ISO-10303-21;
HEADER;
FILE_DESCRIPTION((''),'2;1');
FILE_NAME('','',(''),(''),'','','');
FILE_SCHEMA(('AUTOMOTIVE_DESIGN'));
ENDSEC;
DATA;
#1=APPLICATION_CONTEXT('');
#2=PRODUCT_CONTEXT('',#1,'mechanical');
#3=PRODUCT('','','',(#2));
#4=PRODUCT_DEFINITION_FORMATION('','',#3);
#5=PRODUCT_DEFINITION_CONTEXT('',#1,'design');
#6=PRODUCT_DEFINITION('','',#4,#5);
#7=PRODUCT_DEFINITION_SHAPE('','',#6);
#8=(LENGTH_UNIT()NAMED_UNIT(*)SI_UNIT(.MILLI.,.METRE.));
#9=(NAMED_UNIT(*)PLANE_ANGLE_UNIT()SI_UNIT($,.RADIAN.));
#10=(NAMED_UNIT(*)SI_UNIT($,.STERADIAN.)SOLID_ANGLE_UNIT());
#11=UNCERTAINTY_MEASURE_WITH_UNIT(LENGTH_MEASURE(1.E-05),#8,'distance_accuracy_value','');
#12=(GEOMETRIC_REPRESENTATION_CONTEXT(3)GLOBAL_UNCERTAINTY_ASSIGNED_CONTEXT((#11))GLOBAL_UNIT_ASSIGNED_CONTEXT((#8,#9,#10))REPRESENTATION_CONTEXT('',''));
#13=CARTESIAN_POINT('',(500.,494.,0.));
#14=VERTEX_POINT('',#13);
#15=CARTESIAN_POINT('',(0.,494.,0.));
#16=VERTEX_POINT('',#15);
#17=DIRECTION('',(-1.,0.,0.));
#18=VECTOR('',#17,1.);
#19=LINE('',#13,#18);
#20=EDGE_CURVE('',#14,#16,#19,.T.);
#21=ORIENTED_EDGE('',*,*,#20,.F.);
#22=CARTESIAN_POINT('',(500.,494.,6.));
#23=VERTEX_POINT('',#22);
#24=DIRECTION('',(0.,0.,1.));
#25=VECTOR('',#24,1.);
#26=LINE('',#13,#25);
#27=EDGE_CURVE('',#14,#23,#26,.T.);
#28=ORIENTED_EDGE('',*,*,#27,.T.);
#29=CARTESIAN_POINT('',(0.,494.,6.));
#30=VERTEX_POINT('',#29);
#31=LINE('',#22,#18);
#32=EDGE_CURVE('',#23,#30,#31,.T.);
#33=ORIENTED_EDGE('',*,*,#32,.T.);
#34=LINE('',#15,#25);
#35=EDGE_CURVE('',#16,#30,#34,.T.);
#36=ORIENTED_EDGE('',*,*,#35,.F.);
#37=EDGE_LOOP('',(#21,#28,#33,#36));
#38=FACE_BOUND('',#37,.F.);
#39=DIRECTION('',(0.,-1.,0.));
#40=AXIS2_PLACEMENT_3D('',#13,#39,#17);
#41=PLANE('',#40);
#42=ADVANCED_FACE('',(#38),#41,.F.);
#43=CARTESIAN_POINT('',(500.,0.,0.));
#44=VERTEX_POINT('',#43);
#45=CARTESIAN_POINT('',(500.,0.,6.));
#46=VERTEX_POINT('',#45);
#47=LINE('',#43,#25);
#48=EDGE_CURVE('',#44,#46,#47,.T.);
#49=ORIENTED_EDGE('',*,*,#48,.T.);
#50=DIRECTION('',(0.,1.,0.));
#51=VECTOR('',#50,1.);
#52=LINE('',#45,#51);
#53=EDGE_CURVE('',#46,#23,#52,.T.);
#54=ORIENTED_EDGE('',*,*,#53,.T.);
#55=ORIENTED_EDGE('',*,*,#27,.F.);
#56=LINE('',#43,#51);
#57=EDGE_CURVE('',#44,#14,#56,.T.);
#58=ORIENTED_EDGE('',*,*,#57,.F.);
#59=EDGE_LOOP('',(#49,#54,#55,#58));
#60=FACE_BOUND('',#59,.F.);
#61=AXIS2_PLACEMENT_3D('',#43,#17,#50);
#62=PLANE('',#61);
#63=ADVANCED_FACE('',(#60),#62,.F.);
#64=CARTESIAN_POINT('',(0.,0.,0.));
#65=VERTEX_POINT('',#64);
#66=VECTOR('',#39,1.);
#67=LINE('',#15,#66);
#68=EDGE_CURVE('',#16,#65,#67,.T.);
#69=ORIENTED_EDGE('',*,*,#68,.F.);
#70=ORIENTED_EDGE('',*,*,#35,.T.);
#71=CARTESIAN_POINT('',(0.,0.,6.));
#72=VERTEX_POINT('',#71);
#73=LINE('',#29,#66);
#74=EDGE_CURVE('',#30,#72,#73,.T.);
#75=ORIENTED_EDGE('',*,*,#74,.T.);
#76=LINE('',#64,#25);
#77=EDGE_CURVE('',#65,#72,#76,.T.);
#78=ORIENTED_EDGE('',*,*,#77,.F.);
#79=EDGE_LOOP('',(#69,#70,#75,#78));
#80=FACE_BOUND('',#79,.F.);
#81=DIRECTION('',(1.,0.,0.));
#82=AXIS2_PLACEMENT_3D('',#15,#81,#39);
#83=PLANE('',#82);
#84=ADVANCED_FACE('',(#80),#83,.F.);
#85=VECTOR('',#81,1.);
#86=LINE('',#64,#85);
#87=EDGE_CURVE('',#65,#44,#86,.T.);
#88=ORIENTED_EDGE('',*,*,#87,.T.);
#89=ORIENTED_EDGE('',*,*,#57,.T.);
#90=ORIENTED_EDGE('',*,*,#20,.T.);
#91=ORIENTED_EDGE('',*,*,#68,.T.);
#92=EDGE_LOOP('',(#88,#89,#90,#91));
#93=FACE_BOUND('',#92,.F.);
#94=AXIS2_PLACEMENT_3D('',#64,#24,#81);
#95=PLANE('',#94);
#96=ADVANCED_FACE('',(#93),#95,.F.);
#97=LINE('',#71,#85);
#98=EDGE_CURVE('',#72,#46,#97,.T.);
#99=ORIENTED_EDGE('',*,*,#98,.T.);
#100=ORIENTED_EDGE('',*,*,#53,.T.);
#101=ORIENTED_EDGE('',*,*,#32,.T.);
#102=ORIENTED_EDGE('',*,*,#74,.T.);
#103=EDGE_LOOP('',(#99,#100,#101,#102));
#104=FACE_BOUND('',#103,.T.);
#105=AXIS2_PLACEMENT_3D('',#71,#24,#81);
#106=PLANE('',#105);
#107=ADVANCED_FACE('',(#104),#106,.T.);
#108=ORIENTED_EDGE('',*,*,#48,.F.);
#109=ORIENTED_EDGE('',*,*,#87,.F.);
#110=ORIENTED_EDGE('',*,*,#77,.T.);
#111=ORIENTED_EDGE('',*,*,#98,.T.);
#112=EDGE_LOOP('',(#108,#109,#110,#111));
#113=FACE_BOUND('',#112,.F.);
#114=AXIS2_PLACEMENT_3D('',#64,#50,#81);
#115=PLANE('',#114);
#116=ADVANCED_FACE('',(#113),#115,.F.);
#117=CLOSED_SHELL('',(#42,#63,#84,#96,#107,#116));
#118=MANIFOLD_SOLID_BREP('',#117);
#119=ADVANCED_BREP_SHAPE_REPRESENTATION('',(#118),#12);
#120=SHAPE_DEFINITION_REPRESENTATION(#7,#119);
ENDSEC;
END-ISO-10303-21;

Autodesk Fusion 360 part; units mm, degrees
sketch "Sketch1" plane through (0, 0, 0) normal (0, 0, 1) x (1, 0, 0)
  line L0 (0, 0) -> (500, 0)
  line L1 (500, 0) -> (500, 494)
  line L2 (500, 494) -> (0, 494)
  line L3 (0, 494) -> (0, 0)
  dimension "d1" = 500
  dimension "d2" = 494
extrude "Extrude1" add sketch "Sketch1" along normal blind 6
